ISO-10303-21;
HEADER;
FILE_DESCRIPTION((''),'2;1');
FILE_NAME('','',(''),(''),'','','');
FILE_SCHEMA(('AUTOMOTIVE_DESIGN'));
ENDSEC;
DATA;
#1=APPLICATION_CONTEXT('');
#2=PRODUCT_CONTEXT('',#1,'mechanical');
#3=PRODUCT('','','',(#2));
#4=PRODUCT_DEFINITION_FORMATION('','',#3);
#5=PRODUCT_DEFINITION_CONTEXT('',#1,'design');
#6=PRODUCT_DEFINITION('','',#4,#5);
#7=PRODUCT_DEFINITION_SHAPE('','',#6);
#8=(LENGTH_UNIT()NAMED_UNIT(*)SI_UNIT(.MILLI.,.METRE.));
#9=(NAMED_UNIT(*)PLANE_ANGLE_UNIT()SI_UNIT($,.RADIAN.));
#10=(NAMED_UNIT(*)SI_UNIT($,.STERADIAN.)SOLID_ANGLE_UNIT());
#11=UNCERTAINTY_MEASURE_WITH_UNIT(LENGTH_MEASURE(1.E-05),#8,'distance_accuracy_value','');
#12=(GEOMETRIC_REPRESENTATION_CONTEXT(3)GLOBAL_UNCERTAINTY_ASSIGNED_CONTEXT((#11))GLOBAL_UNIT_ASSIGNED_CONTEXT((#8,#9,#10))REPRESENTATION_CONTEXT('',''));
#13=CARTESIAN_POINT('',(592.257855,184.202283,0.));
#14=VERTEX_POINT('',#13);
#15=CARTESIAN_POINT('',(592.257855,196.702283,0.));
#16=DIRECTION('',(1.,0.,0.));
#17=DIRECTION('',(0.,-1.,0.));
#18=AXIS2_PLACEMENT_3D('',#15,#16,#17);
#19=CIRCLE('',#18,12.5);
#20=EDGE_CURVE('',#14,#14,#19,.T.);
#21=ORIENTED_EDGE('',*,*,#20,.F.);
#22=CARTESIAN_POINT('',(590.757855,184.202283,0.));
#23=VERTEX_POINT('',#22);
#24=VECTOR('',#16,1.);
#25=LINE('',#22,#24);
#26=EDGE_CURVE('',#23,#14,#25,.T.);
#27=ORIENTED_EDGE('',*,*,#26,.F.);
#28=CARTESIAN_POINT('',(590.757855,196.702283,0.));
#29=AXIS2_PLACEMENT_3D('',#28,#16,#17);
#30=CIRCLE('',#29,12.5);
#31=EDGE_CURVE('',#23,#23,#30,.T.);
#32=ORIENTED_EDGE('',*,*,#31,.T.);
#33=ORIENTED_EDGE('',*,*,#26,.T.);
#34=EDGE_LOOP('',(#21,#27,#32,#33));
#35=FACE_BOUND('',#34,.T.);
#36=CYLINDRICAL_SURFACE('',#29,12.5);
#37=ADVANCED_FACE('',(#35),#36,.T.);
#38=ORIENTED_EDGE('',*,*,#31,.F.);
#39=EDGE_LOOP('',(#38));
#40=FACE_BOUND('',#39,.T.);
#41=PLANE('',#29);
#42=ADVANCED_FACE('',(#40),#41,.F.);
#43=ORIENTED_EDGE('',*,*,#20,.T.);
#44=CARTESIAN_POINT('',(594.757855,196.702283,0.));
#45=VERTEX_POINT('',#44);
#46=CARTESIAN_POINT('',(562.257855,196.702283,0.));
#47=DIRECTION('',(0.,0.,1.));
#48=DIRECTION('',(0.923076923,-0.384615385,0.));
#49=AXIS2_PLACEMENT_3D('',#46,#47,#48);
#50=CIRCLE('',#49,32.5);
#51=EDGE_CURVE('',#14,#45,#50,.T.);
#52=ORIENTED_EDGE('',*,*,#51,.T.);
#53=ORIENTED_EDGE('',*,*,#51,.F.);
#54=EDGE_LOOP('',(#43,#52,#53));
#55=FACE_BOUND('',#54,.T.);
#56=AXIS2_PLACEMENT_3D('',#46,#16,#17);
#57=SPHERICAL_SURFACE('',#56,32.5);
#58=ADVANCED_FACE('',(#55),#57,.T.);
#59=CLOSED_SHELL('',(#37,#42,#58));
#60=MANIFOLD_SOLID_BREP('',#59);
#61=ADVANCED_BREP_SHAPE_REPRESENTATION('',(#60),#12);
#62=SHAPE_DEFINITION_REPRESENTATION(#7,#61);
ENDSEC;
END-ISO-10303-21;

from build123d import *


with BuildPart() as part:
    # 草图1 → 旋转1 (revolve)
    with BuildSketch(Plane.XY, mode=Mode.PRIVATE) as revolve_1_sk:
        with BuildLine():
            Line((590.757854946, 196.702283009), (590.757854946, 209.202283009))
            Line((590.757854946, 209.202283009), (592.257854946, 209.202283009))
            ThreePointArc((592.257854946, 209.202283009), (594.126726906, 203.076057401), (594.757854946, 196.702283009))
            Line((594.757854946, 196.702283009), (590.757854946, 196.702283009))
        make_face()
    revolve(revolve_1_sk.sketch.rotate(Axis((588.392239043, 196.702283009, 0), (1, 0, 0)), 180), axis=Axis((588.392239043, 196.702283009, 0), (1, 0, 0)))  # turned: the seam where the file's is


solid = part.part
